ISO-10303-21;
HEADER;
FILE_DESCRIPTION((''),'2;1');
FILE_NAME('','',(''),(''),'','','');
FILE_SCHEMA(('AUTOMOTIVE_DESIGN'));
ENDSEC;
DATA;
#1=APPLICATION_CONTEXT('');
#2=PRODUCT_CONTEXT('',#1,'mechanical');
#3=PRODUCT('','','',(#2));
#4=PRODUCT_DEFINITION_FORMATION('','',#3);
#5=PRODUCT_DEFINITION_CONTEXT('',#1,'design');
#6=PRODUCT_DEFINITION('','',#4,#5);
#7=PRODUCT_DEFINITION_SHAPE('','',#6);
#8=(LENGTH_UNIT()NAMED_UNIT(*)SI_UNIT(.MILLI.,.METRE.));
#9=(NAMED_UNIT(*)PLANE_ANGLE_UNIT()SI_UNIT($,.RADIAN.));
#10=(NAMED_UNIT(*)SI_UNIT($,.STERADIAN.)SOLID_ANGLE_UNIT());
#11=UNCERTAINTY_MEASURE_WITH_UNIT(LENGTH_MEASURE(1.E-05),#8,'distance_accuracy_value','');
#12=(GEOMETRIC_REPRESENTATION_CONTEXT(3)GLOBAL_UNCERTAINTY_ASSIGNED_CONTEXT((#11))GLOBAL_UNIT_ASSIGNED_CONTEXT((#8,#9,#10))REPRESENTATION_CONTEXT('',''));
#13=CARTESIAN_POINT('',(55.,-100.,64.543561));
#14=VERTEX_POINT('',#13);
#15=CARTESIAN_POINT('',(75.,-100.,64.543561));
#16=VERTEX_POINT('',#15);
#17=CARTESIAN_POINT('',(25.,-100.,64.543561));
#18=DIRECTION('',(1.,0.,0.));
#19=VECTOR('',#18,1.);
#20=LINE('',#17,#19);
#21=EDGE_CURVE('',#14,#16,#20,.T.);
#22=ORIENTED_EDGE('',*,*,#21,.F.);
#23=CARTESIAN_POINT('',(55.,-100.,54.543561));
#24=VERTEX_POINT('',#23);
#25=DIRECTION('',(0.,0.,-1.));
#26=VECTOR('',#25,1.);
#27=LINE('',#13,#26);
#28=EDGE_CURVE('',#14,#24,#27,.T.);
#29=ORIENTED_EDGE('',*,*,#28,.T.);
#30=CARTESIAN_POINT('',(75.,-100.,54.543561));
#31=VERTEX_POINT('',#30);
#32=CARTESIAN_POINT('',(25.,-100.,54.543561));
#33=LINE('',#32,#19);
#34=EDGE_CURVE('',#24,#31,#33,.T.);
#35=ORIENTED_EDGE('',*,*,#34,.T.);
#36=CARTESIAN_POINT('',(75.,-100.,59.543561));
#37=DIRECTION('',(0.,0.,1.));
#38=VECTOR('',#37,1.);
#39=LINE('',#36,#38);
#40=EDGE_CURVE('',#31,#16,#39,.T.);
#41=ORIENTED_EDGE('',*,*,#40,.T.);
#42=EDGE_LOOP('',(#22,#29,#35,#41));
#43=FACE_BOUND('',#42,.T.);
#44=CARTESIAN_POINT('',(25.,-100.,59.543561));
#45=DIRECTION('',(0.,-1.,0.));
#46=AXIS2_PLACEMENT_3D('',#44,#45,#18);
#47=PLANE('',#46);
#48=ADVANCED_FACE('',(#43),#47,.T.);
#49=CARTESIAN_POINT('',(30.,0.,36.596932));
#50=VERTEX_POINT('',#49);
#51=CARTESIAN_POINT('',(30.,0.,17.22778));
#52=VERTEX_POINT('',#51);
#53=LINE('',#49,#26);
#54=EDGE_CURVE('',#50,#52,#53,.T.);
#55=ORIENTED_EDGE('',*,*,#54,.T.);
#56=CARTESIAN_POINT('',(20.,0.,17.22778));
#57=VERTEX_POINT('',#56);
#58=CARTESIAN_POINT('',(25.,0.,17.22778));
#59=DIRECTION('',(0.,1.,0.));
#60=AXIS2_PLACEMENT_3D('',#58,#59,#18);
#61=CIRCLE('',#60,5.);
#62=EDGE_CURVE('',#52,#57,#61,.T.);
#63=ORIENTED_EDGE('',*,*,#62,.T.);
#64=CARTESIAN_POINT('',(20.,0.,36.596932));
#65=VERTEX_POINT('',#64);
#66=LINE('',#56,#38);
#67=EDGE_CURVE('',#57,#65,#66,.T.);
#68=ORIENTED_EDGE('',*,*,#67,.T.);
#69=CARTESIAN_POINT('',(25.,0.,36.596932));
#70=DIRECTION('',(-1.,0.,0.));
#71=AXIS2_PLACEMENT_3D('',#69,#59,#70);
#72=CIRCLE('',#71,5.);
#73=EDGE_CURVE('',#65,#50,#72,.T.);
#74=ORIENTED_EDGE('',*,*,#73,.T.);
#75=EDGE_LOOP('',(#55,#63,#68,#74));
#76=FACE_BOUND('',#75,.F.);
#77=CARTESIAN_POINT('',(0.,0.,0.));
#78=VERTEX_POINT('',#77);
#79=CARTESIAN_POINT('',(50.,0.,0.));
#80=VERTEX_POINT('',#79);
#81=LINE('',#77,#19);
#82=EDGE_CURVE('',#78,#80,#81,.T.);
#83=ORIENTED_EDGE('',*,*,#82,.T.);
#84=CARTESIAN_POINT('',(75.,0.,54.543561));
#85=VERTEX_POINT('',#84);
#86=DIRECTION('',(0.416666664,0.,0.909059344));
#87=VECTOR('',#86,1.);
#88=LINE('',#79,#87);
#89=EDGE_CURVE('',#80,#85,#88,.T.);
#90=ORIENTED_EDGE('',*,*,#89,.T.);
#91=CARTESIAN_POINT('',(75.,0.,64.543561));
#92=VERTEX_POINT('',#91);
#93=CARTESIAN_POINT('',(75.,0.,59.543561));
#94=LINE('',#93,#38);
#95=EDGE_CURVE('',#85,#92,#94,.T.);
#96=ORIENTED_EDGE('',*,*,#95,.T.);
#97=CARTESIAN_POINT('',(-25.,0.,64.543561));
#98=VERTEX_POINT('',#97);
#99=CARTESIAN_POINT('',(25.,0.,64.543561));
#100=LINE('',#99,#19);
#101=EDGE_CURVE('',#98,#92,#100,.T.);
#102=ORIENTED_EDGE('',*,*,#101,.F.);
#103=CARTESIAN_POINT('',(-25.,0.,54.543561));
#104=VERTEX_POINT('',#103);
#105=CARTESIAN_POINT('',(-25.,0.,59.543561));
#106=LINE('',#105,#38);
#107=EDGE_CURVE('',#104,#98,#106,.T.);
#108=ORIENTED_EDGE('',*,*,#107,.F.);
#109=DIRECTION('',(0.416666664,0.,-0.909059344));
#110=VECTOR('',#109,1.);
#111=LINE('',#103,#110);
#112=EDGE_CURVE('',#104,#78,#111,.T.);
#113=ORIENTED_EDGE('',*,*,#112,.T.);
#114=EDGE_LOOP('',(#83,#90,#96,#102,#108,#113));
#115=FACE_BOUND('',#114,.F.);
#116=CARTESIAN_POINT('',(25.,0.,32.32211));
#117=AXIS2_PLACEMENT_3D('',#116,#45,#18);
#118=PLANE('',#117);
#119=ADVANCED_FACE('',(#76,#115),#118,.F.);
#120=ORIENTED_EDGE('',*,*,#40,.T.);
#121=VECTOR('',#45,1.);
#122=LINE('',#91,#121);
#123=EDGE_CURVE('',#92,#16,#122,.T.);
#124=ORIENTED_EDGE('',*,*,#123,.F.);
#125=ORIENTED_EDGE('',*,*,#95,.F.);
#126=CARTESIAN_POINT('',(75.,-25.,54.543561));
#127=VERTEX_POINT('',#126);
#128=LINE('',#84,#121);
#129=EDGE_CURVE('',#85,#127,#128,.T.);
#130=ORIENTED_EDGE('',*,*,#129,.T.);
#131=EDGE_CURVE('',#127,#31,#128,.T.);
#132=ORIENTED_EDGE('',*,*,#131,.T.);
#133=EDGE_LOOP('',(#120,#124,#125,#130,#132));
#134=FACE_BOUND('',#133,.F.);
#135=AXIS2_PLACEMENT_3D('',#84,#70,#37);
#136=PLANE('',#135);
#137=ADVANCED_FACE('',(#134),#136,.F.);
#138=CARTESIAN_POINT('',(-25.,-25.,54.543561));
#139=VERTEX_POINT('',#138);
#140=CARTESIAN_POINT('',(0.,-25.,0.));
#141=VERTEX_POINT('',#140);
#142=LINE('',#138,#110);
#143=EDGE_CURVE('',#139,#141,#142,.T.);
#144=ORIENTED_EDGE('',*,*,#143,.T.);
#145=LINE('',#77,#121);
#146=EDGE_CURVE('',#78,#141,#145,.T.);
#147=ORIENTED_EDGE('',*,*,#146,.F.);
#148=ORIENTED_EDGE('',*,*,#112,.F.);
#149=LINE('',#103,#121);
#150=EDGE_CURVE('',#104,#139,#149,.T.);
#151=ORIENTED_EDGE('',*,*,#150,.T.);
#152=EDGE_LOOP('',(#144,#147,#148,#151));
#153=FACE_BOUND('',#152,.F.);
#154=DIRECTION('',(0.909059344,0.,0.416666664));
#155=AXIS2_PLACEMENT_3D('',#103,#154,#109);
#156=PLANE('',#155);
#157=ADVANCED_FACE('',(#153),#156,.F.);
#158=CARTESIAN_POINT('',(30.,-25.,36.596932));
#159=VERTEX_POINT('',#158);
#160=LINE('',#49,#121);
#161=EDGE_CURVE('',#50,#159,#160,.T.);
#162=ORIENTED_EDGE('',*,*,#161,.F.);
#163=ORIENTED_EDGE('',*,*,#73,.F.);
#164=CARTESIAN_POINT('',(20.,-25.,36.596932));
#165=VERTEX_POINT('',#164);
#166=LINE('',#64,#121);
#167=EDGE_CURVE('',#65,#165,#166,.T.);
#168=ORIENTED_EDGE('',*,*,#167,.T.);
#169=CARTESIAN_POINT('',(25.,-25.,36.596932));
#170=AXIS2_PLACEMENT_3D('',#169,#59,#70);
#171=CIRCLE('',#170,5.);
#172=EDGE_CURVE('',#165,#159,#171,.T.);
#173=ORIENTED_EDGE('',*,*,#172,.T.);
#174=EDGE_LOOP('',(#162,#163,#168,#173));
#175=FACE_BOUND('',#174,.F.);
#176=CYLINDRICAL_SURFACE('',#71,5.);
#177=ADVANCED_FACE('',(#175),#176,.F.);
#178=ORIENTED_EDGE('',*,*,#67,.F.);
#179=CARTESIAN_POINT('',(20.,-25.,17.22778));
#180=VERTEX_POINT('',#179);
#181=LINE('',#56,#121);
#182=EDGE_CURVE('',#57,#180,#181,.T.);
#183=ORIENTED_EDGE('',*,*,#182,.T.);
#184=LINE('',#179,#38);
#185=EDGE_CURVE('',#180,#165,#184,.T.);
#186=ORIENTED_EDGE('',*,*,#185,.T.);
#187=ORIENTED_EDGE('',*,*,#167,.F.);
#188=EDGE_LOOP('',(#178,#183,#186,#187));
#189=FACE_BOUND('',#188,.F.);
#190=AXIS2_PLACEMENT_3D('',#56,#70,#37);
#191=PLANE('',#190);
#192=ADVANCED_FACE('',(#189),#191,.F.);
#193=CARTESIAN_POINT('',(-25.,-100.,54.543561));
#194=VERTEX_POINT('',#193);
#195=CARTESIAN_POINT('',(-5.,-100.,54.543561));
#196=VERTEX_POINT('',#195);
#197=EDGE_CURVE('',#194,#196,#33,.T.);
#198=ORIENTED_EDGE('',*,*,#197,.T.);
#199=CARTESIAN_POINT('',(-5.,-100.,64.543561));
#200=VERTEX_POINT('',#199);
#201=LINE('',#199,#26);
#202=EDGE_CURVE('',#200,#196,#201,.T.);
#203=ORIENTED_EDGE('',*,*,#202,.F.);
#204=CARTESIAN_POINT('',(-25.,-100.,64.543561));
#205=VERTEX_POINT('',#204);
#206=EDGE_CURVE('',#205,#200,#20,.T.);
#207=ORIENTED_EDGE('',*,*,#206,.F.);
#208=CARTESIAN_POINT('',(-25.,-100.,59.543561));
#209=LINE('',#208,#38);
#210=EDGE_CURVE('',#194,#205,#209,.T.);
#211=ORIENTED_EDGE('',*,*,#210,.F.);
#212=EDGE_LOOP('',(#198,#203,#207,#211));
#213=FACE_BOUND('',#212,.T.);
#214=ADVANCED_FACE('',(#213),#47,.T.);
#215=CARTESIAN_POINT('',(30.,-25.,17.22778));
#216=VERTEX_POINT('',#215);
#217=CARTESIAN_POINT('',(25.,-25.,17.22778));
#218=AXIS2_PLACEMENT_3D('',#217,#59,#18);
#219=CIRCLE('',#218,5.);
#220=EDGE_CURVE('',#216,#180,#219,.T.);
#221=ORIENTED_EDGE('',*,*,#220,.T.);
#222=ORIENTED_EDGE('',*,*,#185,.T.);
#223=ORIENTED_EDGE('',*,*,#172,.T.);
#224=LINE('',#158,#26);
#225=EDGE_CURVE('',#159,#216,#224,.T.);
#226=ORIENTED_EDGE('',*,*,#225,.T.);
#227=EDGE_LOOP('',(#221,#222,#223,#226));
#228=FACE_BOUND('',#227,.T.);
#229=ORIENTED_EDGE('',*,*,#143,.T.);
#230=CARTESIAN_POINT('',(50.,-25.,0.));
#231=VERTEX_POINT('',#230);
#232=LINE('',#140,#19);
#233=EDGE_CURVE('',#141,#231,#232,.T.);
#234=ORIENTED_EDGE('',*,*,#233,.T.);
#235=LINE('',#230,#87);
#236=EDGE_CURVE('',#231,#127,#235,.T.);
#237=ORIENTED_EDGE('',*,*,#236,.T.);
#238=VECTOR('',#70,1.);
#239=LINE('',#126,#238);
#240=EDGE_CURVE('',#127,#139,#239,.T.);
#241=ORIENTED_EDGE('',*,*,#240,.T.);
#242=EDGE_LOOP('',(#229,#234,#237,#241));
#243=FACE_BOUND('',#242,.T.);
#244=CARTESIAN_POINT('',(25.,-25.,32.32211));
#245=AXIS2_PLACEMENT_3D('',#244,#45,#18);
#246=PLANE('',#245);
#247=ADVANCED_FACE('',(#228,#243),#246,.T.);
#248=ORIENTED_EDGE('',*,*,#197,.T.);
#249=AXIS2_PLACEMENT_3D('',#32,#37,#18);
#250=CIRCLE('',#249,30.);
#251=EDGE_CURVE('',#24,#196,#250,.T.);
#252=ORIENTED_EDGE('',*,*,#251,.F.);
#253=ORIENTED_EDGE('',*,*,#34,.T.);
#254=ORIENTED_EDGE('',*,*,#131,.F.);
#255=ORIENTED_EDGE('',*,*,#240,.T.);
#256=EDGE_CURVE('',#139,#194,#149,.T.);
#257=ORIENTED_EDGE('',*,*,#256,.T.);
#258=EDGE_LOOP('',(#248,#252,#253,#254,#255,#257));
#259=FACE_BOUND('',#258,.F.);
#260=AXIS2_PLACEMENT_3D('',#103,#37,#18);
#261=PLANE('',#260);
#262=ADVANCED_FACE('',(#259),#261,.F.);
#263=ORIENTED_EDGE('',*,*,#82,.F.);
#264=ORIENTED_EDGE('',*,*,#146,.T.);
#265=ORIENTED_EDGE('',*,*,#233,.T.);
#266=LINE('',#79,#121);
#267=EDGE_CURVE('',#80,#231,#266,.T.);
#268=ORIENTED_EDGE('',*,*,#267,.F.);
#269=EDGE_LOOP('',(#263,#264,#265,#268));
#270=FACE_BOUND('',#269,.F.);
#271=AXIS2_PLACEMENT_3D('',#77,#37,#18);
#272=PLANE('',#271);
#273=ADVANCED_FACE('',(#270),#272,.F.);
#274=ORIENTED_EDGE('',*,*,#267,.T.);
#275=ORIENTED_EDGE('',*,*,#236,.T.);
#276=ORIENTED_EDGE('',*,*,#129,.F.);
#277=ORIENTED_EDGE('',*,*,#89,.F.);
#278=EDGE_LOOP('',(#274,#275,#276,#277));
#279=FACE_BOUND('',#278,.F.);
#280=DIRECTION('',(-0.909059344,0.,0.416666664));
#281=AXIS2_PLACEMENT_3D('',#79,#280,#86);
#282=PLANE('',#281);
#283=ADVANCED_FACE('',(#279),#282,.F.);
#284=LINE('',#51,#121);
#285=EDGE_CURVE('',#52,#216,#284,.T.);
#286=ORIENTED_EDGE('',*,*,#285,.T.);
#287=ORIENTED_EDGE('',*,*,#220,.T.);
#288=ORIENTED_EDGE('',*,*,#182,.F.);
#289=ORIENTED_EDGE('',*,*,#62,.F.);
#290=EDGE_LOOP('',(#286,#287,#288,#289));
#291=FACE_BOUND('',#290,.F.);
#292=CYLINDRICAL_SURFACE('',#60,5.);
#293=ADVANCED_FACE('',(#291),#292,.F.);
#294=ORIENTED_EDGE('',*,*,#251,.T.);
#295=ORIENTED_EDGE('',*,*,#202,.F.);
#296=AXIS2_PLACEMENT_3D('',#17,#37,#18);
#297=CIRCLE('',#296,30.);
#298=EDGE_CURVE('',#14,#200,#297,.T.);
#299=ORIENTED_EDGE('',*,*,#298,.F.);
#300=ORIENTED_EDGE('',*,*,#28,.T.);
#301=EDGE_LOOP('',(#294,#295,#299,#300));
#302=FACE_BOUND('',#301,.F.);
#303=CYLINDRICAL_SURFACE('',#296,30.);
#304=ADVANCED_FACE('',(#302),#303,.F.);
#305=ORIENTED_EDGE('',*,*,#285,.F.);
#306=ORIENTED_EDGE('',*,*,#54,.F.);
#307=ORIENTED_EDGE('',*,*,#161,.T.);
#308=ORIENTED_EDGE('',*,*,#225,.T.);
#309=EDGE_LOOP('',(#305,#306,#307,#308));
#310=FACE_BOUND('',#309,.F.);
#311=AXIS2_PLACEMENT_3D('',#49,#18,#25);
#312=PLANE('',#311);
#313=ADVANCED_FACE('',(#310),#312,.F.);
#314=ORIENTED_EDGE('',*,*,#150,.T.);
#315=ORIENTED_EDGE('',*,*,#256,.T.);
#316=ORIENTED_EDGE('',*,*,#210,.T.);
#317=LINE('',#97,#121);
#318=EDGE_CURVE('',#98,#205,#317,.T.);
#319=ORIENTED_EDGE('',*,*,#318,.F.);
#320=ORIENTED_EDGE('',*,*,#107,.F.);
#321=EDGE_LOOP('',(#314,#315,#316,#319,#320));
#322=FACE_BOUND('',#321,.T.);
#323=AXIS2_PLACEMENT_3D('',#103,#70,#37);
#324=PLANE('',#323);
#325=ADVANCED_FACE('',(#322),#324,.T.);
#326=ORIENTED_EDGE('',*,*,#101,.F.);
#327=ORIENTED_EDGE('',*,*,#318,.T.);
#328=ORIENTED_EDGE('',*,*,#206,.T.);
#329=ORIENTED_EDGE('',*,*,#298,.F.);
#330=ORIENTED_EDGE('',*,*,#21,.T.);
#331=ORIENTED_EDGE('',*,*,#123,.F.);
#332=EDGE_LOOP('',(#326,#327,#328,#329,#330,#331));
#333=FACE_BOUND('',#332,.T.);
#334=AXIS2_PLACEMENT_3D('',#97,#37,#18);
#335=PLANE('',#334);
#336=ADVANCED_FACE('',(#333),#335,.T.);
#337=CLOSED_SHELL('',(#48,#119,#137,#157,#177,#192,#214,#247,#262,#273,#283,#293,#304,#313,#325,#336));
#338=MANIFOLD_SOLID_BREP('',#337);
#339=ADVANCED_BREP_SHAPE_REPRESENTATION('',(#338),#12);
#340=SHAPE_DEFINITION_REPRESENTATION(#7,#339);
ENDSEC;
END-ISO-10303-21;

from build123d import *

# Parameters (mm, degrees)
F0_W     = 100
F0_H     = 10
F1_DEPTH = 100
F2_DEPTH = 25
F4_DEPTH = 25
F6_DEPTH = 25


with BuildPart() as f1:
    # F0 (on Front) → F1 (new body)
    with BuildSketch(Plane.XZ):
        with Locations((25, 59.543561)):
            Rectangle(F0_W, F0_H)
    extrude(amount=F1_DEPTH)

    # F0 (on Front) → F2 (join)
    with BuildSketch(Plane.XZ):
        Polygon((-25, 54.543561), (0, 0), (50, 0), (75, 54.543561), align=None)
    extrude(amount=F2_DEPTH)

    # F3 (on face) → F4 (cut)
    with BuildSketch(Plane(origin=(0, 0, 0), x_dir=(-1, 0, 0), z_dir=(0, 1, 0))):
        with BuildLine():
            Line((-20, 17.22778), (-20, 36.596932))
            ThreePointArc((-20, 36.596932), (-25, 41.596932), (-30, 36.596932))
            Line((-30, 36.596932), (-30, 17.22778))
            ThreePointArc((-30, 17.22778), (-25, 12.22778), (-20, 17.22778))
        make_face()
    extrude(amount=-F4_DEPTH, mode=Mode.SUBTRACT)

    # F5 (on face) → F6 (cut)
    with BuildSketch(Plane.XY.offset(64.543561)):
        with BuildLine():
            Line((-5, -100), (55, -100))
            ThreePointArc((55, -100), (25, -70), (-5, -100))
        make_face()
    extrude(amount=-F6_DEPTH, mode=Mode.SUBTRACT)


solid = f1.part
